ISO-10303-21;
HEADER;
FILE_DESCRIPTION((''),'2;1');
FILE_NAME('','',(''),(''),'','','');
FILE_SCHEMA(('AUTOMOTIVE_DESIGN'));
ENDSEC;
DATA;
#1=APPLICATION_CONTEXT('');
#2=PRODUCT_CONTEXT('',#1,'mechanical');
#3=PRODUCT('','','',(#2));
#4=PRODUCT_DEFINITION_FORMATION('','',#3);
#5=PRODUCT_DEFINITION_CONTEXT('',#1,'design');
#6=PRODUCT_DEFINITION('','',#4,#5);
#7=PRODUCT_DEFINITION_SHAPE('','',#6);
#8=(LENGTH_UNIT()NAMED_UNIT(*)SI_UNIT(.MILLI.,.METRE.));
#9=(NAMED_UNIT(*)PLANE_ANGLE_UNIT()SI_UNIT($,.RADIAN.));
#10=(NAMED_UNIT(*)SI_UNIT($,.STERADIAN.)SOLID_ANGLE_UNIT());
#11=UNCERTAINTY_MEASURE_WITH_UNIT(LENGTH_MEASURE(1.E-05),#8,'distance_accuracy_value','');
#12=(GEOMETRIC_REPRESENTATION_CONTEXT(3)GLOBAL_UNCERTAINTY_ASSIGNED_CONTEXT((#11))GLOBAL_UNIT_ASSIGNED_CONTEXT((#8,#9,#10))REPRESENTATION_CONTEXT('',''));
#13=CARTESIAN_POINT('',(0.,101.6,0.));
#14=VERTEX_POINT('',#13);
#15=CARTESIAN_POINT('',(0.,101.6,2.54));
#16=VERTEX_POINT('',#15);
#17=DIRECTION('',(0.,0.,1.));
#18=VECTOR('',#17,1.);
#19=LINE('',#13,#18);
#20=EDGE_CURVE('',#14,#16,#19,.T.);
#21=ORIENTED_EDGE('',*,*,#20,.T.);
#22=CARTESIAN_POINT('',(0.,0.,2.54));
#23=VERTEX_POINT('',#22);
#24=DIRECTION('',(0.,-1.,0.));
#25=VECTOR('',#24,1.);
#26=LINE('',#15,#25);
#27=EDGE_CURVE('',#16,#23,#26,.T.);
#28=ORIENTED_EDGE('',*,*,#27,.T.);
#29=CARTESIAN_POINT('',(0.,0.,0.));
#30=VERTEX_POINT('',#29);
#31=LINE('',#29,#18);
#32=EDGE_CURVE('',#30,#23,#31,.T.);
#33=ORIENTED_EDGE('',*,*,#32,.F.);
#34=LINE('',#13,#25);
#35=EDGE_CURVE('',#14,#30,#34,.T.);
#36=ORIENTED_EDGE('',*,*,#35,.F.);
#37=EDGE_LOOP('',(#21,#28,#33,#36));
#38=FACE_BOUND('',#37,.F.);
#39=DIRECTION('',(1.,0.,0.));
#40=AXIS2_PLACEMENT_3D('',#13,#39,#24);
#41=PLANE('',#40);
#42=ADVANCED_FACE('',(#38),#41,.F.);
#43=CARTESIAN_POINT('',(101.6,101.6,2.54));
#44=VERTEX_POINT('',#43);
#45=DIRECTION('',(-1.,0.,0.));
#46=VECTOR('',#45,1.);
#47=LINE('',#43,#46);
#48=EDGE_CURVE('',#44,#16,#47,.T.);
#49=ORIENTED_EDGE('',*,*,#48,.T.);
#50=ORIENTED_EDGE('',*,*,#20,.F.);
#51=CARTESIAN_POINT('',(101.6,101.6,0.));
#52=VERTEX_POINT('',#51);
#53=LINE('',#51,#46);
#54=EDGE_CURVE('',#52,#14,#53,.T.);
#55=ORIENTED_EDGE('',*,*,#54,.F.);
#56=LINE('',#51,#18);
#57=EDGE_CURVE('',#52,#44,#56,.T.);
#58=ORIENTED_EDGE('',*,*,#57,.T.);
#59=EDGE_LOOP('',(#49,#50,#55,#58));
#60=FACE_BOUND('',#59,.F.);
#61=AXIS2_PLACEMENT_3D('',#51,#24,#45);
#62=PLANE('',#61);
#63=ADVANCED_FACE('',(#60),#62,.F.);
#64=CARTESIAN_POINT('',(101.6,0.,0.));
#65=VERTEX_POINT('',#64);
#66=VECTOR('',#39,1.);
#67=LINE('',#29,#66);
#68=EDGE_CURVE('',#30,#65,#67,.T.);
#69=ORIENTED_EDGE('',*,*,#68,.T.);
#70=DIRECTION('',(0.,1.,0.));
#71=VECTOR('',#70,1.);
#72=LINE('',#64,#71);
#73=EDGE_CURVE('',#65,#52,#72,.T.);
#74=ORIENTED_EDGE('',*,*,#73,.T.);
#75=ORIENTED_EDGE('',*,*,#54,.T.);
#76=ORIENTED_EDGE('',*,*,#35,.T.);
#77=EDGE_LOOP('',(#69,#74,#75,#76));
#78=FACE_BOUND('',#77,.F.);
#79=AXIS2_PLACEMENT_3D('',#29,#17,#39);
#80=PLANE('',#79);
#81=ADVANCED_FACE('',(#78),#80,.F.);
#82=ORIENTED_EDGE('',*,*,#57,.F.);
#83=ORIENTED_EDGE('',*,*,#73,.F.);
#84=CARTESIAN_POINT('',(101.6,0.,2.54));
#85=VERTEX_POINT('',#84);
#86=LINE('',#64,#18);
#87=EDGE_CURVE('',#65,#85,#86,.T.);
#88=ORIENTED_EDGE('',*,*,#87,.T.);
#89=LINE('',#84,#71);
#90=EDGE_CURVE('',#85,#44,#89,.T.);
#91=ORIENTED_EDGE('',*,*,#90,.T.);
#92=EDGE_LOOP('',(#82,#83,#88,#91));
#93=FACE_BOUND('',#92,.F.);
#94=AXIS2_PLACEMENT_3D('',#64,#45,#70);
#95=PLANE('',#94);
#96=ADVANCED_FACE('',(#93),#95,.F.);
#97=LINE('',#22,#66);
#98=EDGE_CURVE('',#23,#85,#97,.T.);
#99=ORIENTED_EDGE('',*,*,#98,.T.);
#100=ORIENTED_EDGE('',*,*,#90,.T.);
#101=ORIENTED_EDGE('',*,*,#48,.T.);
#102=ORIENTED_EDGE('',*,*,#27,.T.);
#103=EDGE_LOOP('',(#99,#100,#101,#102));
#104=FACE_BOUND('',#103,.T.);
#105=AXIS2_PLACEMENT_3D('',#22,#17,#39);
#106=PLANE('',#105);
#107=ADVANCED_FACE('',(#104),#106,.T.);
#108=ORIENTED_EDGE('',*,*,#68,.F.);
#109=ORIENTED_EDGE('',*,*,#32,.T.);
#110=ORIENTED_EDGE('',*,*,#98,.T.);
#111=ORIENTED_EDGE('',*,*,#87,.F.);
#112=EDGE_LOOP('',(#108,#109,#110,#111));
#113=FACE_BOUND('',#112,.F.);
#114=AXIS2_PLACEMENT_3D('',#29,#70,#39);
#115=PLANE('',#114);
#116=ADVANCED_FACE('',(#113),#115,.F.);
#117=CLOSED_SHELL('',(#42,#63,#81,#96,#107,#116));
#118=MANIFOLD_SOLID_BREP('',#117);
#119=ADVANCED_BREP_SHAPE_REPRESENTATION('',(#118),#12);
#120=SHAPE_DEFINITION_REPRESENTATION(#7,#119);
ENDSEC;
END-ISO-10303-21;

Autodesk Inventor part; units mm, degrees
ref_plane "YZ Plane" through (0, 0, 0) normal (1, 0, 0) x (0, 1, 0)
ref_plane "XZ Plane" through (0, 0, 0) normal (0, 1, 0) x (-1, 0, 0)
ref_plane "XY Plane" through (0, 0, 0) normal (0, 0, 1) x (1, 0, 0)
sketch "Sketch1" plane through (0, 0, 0) normal (0, 0, 1) x (1, 0, 0)
  line L0 (0, 0) -> (101.6, 0)
  line L1 (101.6, 0) -> (101.6, 101.6)
  line L2 (101.6, 101.6) -> (0, 101.6)
  line L3 (0, 101.6) -> (0, 0)
  dimension "d0" = 101.6
  dimension "d1" = 101.6
extrude "Extrusion1" add sketch "Sketch1" along normal blind 2.54
properties part number "Plain"
